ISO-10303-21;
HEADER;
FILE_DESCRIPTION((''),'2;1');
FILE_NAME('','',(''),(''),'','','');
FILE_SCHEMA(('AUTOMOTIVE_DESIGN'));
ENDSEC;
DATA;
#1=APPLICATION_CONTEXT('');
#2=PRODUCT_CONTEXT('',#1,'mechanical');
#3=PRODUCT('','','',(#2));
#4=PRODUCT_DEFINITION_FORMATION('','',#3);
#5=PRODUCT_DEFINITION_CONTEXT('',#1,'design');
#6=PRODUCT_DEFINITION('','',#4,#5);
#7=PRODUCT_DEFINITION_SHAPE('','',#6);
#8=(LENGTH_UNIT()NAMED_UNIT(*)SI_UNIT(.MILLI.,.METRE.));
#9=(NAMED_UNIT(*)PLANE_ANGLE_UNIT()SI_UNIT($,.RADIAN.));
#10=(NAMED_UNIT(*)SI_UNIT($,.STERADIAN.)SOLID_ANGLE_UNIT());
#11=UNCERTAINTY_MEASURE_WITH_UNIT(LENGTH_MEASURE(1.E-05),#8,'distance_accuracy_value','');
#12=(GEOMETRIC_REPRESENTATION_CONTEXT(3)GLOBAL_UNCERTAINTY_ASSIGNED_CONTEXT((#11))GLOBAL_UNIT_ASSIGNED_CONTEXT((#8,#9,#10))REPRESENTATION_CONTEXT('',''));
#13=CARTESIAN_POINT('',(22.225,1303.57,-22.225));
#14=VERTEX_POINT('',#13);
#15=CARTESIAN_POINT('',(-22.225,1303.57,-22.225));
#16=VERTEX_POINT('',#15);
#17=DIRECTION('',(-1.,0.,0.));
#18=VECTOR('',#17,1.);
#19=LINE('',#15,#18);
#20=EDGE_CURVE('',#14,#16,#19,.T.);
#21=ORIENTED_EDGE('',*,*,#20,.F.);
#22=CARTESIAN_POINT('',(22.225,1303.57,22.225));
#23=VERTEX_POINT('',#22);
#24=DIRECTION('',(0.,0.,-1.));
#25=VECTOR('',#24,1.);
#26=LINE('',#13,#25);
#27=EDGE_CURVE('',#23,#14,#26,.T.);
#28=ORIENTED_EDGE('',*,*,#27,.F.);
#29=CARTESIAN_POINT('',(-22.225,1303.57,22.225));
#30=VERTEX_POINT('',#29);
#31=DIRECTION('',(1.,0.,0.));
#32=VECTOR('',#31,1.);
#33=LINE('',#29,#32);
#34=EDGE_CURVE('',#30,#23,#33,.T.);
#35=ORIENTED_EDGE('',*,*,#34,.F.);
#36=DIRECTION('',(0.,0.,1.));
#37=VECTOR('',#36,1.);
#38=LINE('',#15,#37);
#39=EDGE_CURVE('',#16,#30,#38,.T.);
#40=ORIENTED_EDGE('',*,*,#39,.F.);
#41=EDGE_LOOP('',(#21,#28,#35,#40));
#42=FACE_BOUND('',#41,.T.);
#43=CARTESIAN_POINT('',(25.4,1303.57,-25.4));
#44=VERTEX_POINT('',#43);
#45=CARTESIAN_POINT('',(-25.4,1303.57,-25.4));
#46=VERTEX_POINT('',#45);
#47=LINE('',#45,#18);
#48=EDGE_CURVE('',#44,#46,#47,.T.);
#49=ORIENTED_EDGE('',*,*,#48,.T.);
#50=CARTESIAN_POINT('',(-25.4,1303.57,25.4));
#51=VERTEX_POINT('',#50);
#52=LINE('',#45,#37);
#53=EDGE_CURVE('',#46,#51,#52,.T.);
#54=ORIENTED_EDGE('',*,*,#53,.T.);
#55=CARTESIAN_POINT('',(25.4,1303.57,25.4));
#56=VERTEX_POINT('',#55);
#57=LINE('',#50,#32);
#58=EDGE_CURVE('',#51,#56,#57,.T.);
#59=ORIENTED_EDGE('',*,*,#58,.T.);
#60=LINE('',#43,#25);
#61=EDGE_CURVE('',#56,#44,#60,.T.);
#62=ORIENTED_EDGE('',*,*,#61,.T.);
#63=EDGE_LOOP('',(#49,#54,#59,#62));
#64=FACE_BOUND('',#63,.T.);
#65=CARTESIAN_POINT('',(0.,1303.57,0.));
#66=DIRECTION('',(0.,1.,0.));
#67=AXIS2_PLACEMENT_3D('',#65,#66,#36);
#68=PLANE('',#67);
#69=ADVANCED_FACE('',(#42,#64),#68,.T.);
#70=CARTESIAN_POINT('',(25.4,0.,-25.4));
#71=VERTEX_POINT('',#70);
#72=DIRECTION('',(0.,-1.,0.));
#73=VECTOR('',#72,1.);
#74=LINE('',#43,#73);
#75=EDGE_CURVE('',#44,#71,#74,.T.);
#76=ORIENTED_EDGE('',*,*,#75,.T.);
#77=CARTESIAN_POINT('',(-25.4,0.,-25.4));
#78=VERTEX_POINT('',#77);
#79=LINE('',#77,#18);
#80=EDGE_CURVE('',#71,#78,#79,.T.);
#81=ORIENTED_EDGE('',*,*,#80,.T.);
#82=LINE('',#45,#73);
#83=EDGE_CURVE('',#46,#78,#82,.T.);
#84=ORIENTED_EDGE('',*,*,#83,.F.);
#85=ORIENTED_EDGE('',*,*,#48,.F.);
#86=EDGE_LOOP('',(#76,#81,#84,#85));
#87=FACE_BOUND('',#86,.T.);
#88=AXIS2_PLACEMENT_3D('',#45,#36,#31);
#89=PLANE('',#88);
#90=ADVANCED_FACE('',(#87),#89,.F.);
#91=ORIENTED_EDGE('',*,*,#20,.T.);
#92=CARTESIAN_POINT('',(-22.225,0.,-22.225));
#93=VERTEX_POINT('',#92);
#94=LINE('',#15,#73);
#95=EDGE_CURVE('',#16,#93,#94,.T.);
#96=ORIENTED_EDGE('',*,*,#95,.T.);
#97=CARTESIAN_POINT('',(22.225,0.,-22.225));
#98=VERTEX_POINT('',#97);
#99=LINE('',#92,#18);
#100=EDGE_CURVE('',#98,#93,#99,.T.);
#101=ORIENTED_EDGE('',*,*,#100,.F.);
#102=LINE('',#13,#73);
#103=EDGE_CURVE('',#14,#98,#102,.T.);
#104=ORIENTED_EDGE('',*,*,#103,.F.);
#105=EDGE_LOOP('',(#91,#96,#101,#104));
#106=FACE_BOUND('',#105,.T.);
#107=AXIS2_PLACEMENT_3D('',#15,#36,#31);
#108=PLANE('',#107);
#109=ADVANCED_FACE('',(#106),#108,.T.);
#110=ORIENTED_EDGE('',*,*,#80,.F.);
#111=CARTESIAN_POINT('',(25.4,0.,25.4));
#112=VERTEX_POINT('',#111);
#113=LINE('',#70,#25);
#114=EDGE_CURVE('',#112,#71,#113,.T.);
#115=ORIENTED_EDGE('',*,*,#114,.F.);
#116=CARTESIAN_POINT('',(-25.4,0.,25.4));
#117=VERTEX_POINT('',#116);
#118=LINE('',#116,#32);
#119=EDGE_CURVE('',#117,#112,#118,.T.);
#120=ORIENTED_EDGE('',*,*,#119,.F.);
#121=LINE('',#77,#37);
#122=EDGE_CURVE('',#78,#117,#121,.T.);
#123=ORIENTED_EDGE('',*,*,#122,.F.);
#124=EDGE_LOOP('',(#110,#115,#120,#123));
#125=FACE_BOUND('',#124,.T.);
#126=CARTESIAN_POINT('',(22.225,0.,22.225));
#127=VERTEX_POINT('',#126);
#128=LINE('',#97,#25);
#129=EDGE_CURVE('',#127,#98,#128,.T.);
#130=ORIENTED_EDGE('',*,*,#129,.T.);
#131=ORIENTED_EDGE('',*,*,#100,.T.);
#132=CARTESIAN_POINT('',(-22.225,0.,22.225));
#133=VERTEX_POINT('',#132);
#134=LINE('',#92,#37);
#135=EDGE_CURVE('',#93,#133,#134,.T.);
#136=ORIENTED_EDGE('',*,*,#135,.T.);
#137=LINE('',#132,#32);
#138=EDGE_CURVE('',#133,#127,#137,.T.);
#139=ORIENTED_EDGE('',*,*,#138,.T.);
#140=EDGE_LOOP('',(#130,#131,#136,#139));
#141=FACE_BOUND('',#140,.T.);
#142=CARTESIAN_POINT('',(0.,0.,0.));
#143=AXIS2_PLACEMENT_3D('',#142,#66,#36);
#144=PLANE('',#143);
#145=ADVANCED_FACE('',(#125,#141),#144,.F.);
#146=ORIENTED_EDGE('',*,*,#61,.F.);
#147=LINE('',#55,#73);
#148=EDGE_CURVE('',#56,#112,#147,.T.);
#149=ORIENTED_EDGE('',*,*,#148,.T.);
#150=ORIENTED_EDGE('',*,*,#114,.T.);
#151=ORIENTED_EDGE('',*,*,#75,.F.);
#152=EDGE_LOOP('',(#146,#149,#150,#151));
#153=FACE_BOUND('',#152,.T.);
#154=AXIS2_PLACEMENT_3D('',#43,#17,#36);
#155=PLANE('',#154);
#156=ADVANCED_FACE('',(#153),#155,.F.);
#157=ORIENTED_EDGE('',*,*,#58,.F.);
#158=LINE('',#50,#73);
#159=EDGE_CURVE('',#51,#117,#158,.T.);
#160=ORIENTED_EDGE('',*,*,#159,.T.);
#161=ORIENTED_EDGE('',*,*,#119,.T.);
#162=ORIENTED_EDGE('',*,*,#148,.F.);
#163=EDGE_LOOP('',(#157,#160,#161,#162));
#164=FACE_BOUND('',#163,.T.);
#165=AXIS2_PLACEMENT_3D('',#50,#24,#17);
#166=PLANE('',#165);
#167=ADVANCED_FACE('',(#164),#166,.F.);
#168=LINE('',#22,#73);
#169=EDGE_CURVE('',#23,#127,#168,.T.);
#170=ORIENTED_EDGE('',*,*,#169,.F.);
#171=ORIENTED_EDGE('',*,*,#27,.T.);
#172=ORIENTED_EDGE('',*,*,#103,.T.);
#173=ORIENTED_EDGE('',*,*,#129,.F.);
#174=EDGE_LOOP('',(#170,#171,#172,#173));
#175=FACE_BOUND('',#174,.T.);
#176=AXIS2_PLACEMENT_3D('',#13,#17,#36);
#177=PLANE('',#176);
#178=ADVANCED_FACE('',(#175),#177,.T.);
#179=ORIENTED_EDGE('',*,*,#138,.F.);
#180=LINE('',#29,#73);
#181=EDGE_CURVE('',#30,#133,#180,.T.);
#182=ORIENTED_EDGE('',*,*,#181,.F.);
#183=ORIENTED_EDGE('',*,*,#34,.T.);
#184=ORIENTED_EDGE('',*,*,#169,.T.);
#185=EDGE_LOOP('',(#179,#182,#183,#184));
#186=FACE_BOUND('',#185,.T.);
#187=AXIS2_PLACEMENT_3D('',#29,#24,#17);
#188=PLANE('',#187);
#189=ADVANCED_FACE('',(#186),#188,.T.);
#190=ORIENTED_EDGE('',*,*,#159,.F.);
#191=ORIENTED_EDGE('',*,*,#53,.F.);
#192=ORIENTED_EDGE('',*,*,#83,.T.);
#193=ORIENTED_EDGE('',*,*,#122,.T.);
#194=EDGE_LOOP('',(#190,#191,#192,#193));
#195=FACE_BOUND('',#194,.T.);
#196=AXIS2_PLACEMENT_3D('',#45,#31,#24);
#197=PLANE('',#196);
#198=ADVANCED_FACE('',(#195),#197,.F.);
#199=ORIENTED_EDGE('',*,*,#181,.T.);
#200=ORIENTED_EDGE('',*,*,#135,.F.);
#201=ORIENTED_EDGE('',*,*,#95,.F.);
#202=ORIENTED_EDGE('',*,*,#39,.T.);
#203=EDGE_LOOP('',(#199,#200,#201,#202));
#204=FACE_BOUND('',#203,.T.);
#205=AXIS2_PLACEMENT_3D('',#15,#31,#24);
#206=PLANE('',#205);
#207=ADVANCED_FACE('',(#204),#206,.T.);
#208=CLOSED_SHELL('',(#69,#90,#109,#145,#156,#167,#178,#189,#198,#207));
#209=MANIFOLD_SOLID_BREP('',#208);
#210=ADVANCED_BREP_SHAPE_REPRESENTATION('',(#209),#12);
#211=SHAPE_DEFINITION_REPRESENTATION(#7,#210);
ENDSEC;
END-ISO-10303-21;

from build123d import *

# Parameters (mm, degrees)
SKETCH1_W           = 50.8
SKETCH1_H           = 50.8
SKETCH1_W_2         = 44.45
SKETCH1_H_2         = 44.45
BOSS_EXTRUDE1_DEPTH = 1303.57


with BuildPart() as part:
    # Sketch1 → Boss-Extrude1 (new body)
    with BuildSketch(Plane(origin=(0, 0, 0), x_dir=(1, 0, 0), z_dir=(0, 1, 0))):
        Rectangle(SKETCH1_W, SKETCH1_H)
        Rectangle(SKETCH1_W_2, SKETCH1_H_2, mode=Mode.SUBTRACT)
    extrude(amount=BOSS_EXTRUDE1_DEPTH)


solid = part.part
